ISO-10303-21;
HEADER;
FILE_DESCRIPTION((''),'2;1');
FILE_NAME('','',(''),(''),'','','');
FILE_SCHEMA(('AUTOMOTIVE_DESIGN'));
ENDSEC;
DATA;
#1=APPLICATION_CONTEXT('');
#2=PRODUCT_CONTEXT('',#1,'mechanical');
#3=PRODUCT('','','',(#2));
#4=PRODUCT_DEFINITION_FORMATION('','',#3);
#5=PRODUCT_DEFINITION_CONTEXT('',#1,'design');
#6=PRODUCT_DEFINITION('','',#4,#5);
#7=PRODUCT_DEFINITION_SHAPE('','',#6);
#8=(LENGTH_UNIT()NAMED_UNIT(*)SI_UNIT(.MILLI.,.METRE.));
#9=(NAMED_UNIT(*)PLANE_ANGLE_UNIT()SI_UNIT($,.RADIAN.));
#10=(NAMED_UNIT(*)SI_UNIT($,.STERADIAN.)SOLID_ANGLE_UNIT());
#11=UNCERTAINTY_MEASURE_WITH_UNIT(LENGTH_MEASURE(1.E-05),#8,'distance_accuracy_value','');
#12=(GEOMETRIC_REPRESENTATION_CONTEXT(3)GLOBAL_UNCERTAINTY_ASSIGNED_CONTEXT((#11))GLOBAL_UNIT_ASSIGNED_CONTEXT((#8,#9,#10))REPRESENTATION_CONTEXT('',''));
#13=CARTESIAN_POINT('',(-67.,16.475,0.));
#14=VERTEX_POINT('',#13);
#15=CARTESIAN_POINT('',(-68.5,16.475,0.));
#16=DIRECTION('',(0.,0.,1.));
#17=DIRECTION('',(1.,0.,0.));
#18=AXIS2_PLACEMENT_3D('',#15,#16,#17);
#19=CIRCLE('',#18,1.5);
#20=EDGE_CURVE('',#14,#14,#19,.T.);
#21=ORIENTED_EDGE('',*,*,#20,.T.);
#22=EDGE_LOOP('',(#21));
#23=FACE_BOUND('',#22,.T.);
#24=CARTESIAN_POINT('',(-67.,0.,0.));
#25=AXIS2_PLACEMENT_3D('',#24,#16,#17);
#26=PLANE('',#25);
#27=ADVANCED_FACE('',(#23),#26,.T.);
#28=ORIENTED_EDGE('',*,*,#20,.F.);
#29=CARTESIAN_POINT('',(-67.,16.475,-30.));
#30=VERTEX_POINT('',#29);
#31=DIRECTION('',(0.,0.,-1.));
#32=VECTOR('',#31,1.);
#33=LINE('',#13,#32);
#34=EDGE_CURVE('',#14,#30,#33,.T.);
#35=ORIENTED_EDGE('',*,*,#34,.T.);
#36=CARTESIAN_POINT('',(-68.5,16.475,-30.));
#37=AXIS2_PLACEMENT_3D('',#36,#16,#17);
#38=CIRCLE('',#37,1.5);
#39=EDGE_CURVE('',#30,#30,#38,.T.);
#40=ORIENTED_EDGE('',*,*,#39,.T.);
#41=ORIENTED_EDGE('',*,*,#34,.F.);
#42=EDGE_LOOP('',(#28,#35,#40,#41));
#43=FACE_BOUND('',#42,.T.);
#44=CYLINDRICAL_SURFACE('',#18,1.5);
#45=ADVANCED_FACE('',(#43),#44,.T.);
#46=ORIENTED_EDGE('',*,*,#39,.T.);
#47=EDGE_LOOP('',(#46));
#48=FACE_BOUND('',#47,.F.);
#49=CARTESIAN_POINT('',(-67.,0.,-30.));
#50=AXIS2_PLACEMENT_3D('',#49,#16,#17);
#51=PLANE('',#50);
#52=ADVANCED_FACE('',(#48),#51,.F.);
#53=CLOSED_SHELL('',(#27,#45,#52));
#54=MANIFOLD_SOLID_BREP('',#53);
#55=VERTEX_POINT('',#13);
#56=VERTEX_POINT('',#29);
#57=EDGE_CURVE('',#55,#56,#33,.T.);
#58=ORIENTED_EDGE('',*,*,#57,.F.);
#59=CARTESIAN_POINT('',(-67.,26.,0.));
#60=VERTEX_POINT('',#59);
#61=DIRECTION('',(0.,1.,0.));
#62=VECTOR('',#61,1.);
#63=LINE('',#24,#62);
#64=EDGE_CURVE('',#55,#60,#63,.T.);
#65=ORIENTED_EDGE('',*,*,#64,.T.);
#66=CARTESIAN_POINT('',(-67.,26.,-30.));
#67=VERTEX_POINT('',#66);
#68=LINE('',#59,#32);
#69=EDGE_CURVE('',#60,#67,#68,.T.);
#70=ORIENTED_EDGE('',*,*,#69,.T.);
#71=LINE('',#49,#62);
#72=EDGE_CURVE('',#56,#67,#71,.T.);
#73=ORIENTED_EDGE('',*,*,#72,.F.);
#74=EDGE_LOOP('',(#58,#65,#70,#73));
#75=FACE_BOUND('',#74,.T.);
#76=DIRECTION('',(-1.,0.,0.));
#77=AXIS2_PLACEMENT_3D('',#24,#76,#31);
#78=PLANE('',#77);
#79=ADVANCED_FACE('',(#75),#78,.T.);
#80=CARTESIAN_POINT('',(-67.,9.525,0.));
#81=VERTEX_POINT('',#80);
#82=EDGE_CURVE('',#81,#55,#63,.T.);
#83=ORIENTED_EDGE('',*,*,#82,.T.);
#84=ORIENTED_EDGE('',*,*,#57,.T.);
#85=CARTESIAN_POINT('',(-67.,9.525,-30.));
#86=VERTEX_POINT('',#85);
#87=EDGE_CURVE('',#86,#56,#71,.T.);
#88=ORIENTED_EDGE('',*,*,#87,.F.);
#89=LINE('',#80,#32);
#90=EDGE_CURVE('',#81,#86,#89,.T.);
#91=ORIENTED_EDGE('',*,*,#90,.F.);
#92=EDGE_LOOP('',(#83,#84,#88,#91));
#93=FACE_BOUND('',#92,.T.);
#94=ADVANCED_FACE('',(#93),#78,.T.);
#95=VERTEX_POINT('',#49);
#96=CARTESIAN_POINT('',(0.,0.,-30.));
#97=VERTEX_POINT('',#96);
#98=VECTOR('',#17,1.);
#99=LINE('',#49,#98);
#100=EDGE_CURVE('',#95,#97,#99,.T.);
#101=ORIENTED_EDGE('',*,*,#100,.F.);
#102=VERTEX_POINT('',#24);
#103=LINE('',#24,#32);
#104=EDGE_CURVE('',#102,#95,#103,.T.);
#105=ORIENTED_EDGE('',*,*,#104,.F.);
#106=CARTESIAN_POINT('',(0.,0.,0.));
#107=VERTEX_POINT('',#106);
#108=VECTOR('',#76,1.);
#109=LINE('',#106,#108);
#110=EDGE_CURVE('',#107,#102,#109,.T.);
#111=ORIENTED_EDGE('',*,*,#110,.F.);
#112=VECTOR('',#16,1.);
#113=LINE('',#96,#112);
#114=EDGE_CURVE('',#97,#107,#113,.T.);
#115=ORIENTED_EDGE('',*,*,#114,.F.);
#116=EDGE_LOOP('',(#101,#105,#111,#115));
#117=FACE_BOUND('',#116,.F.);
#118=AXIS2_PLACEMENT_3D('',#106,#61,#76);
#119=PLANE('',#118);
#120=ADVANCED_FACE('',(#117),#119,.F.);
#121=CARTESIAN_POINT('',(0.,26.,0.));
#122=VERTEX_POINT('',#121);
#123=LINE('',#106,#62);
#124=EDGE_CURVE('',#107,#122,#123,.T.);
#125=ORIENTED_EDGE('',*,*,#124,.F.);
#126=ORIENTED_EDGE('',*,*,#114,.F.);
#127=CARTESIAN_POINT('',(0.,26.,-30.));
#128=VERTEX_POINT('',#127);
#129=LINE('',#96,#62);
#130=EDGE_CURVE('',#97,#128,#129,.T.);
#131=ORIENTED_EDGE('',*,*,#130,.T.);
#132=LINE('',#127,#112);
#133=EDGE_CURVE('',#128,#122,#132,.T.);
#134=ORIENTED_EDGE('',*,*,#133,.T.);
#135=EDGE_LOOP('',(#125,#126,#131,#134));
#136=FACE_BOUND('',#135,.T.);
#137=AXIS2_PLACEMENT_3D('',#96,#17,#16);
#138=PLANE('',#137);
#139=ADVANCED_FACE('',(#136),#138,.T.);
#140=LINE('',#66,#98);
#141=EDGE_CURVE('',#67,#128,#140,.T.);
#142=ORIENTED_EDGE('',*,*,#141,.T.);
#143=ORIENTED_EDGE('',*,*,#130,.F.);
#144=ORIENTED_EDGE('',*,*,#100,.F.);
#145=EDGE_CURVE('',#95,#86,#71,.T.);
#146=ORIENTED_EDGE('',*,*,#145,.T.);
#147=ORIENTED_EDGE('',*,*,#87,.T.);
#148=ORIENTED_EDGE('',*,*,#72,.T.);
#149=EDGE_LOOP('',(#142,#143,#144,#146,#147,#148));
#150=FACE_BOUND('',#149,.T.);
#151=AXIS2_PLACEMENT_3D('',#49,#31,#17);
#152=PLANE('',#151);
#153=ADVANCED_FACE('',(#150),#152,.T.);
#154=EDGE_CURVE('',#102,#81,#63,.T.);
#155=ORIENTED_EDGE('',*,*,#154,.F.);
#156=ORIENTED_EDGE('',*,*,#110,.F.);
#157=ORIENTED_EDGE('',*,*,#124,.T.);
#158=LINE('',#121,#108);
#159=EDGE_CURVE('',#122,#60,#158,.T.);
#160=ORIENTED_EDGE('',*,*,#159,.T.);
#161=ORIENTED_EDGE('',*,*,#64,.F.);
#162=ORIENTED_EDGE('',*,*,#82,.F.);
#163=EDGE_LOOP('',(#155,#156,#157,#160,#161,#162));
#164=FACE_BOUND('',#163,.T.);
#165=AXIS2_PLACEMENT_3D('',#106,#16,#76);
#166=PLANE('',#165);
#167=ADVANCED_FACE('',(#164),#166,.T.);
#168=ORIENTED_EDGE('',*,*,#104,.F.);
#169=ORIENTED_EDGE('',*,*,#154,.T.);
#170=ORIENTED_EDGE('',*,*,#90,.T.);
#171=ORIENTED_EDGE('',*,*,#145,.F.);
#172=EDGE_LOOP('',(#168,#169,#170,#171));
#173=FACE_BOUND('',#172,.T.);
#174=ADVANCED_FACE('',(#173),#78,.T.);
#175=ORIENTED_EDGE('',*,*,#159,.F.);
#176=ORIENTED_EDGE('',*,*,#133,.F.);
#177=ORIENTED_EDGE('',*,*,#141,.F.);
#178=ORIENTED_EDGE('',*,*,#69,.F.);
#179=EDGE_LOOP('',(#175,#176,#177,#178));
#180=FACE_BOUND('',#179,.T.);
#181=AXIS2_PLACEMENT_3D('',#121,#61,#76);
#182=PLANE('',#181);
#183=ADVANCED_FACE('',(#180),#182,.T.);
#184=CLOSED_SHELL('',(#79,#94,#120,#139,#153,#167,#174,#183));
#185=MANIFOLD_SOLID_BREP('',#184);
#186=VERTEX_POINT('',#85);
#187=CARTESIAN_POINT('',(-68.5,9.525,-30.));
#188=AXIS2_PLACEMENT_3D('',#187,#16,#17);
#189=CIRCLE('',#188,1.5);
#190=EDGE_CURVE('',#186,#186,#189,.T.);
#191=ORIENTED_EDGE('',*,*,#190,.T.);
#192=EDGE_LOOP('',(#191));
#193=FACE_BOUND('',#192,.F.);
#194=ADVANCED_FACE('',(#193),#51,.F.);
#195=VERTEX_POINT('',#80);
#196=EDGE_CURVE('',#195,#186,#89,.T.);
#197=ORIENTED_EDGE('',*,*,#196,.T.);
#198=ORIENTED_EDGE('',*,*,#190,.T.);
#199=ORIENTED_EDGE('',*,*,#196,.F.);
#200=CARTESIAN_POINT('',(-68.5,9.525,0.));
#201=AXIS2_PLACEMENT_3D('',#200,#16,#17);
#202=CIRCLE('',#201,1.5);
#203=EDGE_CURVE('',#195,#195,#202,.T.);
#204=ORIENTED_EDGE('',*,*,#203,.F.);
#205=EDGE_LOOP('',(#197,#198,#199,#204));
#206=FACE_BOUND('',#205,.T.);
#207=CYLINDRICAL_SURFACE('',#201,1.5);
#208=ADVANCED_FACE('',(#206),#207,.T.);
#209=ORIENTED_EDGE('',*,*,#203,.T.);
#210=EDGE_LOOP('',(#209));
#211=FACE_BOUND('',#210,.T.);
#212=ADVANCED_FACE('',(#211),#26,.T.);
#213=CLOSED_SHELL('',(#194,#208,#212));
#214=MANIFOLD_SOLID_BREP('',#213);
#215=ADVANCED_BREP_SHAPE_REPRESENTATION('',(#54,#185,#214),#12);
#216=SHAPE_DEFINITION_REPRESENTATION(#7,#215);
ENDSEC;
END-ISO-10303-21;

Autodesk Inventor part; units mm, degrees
ref_plane "YZ Plane" through (0, 0, 0) normal (1, 0, 0) x (0, 1, 0)
ref_plane "XZ Plane" through (0, 0, 0) normal (0, 1, 0) x (-1, 0, 0)
ref_plane "XY Plane" through (0, 0, 0) normal (0, 0, 1) x (1, 0, 0)
sketch "Sketch1" plane through (0, 0, 0) normal (0, 1, 0) x (-1, 0, 0)
  line L0 (0, 0) -> (67, 0)
  line L1 (67, 0) -> (67, -30)
  line L2 (67, -30) -> (0, -30)
  line L3 (0, -30) -> (0, 0)
  dimension "d0" = 67
  dimension "d1" = 30
extrude "Extrusion1" add sketch "Sketch1" along normal blind 26
sketch "Sketch2" plane through (-67, 0, 0) normal (0, 0, 1) x (1, 0, 0)
  circle A0 centre (-1.5, 16.475) radius 1.5
  line L0 (0, 0) -> (0, 26) projected
  line L1 (0, 26) -> (67, 26) projected
  line L2 (0, 0) -> (0, 26) projected
  line L3 (0, 13) -> (5.0993, 13) construction
  circle A1 centre (-1.5, 9.525) radius 1.5
  point P0 (67, 0)
  dimension "d4" = 3
  dimension "d5" = 9.525
extrude "Extrusion2" add sketch "Sketch2" against normal up to surface (30 mm away)
properties part number "Temp - Battery"
